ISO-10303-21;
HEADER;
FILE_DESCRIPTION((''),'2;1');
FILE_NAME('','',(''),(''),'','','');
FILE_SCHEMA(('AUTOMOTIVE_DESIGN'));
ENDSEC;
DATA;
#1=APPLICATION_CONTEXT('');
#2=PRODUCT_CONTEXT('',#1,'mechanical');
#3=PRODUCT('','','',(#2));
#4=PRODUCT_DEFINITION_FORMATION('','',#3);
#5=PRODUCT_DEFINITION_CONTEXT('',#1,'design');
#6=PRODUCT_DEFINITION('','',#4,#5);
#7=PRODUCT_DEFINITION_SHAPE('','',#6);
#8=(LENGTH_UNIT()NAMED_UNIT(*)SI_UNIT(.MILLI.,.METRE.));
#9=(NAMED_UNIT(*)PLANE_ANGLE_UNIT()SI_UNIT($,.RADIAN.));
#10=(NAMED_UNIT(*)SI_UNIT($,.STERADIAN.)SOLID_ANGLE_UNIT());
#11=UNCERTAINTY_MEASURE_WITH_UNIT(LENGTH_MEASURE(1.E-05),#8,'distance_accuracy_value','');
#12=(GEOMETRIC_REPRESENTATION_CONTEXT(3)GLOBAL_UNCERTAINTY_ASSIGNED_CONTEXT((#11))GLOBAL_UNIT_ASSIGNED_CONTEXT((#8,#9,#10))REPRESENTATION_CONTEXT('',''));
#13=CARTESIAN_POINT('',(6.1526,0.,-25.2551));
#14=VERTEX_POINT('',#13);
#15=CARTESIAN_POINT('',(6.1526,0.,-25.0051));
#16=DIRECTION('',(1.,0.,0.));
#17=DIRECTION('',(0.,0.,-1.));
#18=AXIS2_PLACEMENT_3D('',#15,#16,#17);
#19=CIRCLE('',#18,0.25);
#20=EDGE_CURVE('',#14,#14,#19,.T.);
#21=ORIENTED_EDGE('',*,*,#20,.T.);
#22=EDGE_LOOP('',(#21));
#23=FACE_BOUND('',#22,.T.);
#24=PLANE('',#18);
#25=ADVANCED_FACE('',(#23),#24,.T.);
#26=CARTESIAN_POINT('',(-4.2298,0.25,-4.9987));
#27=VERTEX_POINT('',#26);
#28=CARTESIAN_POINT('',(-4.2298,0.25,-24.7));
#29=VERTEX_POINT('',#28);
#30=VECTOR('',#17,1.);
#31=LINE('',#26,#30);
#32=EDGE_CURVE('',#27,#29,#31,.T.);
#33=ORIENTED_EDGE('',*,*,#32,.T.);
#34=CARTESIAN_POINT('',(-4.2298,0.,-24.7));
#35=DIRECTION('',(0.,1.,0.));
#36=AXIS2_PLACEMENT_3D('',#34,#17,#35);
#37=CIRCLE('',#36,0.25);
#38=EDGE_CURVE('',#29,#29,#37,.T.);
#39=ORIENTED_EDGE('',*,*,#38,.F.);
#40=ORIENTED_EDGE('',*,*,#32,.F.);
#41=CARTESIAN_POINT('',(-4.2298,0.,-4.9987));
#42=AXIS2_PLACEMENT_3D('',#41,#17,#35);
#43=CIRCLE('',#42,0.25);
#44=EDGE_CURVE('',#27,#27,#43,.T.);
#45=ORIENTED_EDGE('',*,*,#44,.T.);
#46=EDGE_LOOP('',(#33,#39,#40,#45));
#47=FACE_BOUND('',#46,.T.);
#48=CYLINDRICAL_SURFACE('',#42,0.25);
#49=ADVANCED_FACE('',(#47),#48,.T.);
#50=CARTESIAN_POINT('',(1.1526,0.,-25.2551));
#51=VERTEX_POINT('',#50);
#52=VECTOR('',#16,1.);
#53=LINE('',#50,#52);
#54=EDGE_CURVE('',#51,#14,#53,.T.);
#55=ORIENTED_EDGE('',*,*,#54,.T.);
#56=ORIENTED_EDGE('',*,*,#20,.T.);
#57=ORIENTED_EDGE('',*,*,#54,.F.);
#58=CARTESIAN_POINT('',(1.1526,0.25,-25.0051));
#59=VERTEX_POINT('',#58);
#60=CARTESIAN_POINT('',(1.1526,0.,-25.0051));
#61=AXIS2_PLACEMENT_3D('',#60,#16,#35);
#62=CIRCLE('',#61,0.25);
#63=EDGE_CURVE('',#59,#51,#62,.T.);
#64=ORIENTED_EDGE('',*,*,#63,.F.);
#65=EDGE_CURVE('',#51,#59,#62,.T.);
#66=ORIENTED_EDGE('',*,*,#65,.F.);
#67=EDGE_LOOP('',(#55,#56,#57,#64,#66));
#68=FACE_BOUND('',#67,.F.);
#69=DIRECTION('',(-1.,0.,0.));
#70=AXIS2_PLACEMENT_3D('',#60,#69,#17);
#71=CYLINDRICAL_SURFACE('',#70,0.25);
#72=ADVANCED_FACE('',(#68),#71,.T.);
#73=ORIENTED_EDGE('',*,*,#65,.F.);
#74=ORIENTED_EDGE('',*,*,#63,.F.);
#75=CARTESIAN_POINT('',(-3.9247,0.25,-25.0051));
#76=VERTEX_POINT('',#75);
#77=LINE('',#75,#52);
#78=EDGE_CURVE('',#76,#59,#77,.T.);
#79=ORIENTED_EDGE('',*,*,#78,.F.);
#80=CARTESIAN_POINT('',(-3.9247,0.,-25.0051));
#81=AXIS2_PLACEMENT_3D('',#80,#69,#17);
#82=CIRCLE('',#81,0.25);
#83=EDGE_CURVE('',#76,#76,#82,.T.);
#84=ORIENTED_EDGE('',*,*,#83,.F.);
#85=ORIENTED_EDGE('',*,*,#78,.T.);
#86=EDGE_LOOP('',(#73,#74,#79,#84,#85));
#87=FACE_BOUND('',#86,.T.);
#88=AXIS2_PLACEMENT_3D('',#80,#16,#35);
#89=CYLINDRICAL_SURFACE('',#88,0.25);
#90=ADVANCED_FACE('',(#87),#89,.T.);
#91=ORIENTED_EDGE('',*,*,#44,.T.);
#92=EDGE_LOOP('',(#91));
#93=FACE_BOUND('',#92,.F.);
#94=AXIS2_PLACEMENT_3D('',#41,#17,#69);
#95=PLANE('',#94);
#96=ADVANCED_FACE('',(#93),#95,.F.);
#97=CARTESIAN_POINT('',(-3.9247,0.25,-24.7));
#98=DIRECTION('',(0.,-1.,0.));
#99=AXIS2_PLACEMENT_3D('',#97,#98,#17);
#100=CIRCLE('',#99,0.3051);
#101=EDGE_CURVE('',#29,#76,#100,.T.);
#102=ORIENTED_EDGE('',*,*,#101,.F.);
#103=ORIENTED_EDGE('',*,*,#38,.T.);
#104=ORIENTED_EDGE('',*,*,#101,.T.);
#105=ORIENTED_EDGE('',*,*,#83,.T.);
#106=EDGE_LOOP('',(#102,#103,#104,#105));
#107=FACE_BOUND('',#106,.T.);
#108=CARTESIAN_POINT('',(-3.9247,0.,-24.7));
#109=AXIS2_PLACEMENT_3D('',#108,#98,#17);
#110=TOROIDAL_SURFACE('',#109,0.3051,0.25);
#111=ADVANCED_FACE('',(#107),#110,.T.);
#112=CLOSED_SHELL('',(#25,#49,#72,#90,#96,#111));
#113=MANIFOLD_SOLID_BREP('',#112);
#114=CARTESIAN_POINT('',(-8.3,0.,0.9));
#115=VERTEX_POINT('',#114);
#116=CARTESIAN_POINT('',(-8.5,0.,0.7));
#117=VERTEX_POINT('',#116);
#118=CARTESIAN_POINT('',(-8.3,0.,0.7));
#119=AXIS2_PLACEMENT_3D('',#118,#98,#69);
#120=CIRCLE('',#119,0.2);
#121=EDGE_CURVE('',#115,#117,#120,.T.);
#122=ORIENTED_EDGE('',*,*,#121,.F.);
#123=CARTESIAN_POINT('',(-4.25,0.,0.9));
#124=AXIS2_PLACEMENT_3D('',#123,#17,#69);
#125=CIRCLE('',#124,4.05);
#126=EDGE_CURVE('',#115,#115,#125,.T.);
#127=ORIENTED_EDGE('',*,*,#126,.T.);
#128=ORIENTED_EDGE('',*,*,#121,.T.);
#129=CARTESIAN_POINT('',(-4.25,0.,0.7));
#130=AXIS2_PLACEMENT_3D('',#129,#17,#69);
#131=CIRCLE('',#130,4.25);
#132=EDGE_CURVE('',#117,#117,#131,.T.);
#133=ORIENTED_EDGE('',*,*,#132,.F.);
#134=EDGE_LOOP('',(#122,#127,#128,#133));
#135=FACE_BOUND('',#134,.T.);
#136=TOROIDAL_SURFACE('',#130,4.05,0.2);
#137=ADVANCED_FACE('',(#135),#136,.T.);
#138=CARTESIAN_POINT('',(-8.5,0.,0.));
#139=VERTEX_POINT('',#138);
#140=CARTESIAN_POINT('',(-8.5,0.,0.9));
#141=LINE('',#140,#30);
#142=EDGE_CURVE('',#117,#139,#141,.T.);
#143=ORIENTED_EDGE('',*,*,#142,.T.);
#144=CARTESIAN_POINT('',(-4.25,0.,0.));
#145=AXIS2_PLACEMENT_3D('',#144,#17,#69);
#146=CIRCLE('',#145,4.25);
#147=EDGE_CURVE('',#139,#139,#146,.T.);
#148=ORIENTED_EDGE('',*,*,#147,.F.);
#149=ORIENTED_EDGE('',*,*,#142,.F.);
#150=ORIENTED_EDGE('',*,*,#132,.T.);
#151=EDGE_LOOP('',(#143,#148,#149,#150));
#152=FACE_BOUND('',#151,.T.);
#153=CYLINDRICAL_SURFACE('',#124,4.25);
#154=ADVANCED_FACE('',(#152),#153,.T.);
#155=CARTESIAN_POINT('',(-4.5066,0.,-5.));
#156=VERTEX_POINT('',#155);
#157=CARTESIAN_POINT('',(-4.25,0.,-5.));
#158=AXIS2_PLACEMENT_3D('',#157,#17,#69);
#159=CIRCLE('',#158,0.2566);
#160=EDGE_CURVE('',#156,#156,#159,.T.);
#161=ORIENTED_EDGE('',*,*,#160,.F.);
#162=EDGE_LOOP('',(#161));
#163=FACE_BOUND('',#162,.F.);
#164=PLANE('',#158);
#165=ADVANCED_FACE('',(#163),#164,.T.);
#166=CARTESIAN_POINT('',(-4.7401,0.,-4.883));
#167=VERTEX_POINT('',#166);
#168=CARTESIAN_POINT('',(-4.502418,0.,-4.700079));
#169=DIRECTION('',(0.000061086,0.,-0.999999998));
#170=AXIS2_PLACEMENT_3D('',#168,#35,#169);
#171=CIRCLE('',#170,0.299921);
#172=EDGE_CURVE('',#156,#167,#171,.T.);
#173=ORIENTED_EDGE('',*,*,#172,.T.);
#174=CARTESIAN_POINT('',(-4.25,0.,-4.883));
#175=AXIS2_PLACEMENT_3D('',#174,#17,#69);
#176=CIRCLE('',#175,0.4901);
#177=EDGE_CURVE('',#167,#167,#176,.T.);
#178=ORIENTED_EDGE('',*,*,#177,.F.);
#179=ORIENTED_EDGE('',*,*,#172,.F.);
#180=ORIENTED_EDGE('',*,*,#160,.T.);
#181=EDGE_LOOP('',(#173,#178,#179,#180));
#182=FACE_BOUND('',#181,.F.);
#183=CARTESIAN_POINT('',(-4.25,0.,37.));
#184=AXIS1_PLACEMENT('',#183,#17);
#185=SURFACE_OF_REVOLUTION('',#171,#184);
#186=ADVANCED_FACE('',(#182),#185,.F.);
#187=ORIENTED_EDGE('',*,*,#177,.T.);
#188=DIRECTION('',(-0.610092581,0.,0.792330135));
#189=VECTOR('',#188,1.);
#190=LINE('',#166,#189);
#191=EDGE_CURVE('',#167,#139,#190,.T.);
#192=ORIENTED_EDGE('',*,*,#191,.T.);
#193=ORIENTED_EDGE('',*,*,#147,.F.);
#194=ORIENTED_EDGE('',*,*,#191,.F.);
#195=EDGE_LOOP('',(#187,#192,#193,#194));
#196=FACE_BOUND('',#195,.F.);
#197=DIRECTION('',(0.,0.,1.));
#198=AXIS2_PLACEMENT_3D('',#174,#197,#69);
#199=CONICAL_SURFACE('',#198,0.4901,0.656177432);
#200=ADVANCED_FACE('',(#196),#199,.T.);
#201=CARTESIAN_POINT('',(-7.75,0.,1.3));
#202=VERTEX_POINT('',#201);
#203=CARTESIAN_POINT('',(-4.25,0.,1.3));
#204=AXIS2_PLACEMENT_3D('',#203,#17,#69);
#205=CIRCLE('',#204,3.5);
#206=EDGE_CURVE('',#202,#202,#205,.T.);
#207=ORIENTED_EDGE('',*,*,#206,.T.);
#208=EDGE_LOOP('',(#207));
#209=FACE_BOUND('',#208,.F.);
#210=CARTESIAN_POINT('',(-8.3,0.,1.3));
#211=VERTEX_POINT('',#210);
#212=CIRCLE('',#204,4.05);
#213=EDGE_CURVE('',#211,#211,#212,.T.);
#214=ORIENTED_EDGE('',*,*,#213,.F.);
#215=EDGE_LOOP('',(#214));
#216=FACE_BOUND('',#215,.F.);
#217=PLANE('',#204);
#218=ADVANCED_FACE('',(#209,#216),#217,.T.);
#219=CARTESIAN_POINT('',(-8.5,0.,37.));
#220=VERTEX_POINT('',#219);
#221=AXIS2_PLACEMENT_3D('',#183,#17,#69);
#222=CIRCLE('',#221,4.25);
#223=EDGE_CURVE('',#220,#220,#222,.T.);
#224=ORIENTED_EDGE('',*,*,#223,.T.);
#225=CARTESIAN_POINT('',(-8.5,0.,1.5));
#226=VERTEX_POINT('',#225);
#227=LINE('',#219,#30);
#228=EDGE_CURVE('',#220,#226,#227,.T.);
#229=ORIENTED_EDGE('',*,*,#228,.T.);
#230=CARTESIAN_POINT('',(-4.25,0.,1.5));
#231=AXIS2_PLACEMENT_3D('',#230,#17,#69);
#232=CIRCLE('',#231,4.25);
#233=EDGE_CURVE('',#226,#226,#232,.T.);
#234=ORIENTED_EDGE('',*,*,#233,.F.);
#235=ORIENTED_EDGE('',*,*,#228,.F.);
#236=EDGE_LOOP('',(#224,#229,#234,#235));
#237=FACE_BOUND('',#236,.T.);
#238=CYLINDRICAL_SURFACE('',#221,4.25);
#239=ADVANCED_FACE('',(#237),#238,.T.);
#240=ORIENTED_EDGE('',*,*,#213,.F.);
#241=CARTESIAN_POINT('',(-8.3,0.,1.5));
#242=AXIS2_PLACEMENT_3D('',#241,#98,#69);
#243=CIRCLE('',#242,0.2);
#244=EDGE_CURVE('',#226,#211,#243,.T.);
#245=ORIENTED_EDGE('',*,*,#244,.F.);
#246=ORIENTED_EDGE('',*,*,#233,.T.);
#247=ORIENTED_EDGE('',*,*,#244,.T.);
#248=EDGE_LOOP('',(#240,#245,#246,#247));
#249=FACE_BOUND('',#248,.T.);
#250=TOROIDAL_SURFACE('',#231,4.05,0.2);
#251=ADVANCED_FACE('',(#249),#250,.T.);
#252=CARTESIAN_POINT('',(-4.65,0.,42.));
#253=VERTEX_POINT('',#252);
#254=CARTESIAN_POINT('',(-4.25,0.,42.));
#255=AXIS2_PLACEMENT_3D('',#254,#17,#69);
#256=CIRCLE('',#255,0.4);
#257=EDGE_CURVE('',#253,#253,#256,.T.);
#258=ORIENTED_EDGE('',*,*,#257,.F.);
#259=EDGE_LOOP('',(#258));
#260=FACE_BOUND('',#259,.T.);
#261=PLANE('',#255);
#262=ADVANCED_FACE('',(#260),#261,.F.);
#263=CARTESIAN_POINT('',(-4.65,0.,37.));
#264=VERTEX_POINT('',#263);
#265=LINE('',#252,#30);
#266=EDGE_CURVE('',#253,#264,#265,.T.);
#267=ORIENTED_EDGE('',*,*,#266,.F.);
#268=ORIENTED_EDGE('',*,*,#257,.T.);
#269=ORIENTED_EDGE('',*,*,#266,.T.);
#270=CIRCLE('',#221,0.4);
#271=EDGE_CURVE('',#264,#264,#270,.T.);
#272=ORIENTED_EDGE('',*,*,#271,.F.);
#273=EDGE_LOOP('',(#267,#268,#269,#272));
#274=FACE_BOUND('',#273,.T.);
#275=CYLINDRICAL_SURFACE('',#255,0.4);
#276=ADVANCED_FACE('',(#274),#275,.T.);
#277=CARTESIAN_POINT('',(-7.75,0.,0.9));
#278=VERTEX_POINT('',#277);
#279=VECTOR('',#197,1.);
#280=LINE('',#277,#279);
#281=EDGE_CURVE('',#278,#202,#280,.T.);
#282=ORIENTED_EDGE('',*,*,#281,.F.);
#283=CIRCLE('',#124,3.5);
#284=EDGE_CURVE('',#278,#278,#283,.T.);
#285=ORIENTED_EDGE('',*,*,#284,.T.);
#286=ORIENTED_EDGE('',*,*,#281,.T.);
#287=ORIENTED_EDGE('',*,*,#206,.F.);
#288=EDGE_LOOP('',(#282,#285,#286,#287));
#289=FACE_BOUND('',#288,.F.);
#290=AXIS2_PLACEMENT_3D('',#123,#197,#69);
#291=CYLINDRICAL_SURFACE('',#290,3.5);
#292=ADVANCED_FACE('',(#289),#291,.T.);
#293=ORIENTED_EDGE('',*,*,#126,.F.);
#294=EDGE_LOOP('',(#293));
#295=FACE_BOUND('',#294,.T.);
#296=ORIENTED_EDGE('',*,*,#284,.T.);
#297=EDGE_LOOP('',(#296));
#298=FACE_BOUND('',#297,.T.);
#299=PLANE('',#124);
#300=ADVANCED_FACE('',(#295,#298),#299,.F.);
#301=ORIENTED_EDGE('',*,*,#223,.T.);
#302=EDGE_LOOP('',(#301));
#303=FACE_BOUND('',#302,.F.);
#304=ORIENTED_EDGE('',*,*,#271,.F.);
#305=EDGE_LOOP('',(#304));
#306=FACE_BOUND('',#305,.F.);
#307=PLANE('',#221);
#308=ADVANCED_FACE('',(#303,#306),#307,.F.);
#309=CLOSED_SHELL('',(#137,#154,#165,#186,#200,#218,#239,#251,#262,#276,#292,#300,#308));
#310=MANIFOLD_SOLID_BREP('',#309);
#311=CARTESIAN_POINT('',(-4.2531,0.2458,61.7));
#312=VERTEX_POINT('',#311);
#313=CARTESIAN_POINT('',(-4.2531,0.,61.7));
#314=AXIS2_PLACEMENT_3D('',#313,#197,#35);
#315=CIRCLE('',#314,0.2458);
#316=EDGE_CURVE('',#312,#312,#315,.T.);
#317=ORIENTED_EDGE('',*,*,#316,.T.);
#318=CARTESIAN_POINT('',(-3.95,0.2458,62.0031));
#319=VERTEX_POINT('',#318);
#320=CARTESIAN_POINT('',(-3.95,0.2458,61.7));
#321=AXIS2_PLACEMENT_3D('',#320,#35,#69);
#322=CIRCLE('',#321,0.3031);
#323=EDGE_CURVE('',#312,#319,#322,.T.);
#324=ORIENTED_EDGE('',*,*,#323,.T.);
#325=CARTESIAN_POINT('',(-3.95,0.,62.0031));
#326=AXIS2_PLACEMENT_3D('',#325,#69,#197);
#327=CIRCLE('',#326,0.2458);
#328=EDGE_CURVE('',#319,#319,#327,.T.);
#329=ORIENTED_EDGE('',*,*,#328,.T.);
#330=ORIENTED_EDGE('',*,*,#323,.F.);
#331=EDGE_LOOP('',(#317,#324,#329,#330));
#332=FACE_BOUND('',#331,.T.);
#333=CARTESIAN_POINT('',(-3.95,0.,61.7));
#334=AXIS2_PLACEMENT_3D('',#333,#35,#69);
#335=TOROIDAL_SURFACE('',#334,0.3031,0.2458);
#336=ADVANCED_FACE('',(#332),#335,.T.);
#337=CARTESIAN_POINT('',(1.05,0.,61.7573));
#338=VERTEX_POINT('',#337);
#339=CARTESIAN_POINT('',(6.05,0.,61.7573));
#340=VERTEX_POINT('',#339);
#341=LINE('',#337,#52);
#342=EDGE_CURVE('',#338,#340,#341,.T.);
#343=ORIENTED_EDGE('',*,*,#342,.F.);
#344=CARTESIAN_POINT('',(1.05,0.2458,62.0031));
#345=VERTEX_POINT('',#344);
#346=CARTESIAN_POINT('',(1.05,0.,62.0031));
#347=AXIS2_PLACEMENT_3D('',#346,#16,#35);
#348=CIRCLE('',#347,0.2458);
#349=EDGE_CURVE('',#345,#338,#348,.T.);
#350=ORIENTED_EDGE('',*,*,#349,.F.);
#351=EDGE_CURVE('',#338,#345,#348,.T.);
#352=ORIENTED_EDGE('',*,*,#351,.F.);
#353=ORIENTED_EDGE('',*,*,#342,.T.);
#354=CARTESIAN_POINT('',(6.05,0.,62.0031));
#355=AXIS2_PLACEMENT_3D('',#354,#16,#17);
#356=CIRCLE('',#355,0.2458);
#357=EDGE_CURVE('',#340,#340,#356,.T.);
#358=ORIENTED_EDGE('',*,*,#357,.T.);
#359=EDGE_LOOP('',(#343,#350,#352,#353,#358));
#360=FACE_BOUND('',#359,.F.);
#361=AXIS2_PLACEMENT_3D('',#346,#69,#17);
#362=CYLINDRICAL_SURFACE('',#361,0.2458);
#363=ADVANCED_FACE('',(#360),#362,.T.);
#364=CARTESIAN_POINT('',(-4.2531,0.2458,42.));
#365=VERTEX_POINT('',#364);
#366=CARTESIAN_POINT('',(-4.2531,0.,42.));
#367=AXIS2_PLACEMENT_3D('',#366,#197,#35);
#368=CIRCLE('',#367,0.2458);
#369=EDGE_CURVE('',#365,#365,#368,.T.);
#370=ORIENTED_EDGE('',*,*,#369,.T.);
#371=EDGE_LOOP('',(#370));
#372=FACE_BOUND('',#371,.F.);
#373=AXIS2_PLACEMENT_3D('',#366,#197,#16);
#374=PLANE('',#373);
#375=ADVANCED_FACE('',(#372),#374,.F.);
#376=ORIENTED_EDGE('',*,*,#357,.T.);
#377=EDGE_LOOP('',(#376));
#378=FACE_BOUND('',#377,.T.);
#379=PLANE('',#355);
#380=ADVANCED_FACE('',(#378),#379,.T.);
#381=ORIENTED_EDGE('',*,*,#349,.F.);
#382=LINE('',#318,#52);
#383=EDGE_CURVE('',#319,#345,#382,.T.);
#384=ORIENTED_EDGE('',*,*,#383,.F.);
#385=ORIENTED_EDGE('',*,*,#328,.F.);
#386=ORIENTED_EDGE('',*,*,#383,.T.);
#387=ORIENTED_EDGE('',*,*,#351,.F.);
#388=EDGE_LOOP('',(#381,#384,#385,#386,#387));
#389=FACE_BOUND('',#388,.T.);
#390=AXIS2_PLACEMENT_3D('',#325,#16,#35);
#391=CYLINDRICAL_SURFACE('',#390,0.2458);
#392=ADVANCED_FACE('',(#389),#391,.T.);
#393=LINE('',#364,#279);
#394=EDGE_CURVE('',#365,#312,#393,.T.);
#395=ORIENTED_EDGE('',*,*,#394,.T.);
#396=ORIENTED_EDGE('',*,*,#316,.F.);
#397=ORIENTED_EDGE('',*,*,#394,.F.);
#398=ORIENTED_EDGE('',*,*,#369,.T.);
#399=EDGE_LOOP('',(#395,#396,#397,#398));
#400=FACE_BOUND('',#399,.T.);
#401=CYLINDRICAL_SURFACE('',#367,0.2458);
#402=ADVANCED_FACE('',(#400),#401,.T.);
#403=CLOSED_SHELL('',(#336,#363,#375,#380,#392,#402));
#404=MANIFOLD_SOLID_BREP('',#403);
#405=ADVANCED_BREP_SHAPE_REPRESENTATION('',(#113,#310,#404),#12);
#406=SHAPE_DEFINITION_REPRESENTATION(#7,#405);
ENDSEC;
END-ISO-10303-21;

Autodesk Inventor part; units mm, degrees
ref_plane "YZ Plane" through (0, 0, 0) normal (1, 0, 0) x (0, 1, 0)
ref_plane "XZ Plane" through (0, 0, 0) normal (0, 1, 0) x (-1, 0, 0)
ref_plane "XY Plane" through (0, 0, 0) normal (0, 0, 1) x (1, 0, 0)
sketch "Sketch1" plane through (0, 0, 0) normal (0, 1, 0) x (-1, 0, 0)
  line L0 (4.5, 42) -> (4, 42)
  line L1 (-5.9955, 62) -> (-5.9955, 61.75)
  line L2 (-5.9955, 62) -> (-5.9955, 62.25)
  line L3 (4.25, 42) -> (4.25, 61.7)
  arc A0 (4.25, 61.7) -> (3.95, 62) centre (3.95, 61.7) ccw
  line L4 (3.95, 62) -> (-1.05, 62)
  point P0 (0, 0)
sketch "Sketch3" plane through (0, 0, 0) normal (1, 0, 0) x (0, 1, 0)
  circle A0 centre (0, -25.0051) radius 0.25
  point P0 (0, 0)
sketch "Sketch5" plane through (0, 0, 0) normal (0, 1, 0) x (-1, 0, 0)
  line L0 (8.5, 37) -> (0, 37)
  line L1 (4.0039, 37) -> (3.3039, 37)
  line L2 (0, 37) -> (4.25, 37)
  line L3 (4.25, 42) -> (3.85, 42)
  line L4 (4.25, 42) -> (4.65, 42)
  line L5 (4.65, 42) -> (4.65, 37)
  line L6 (3.85, 42) -> (3.85, 37)
  line L7 (4.25, 42) -> (4, 42)
  line L8 (4.25, 42) -> (4.5, 42)
  line L9 (4.5, 42) -> (4.5, 61.7)
  line L10 (4.2, 62) -> (4.0045, 62)
  line L11 (4.5024, -5) -> (3.9976, -5)
  line L12 (4.7401, -4.883) -> (8.5, 0)
  line L13 (3.7599, -4.883) -> (0, 0)
  line L14 (4.25, -5) -> (4, -5)
  line L15 (4.25, -5) -> (4.5066, -5)
  line L16 (4.25, -5) -> (4.5066, -5)
  line L17 (4.5066, -5) -> (4.5066, -24.7)
  line L18 (4.2066, -25) -> (4.0066, -25)
  line L19 (4.25, 0.9) -> (7.75, 0.9)
  line L20 (4.25, 0.9) -> (0.75, 0.9)
  line L21 (7.75, 0.9) -> (7.75, 1.3)
  line L22 (7.75, 1.3) -> (0.75, 1.3)
  line L23 (0.75, 1.3) -> (0.75, 0.9)
  line L24 (0.75, 0.9) -> (0, 0.9)
  line L25 (7.75, 0.9) -> (8.5, 0.9)
  line L26 (7.75, 1.3) -> (8.5, 1.3)
  line L27 (0.75, 1.3) -> (0, 1.3)
  line L28 (8.5, 37) -> (8.5, 1.3)
  line L29 (0, 37) -> (0, 1.3)
  line L30 (8.5, 0.9) -> (8.5, 0)
  line L31 (0, 0.9) -> (0, 0)
  arc A0 (4.5024, -5) -> (4.7401, -4.883) centre (4.5024, -4.7) ccw
  arc A1 (3.7599, -4.883) -> (3.9976, -5) centre (3.9976, -4.7) ccw
  line L32 (3.6976, -24.5) -> (-5.9934, -24.5)
  line L33 (4.0066, -25) -> (-5.9934, -25)
  line L34 (-5.9934, -25) -> (-5.9934, -24.5)
  line L35 (3.9976, -24.2) -> (3.9976, -5)
  line L36 (3.7, 61.5) -> (-5.9955, 61.5)
  line L37 (-5.9955, 61.5) -> (-5.9955, 62)
  line L38 (-5.9955, 62) -> (4.0045, 62)
  line L39 (4, 61.2) -> (4, 42)
  line L40 (4.25, 37) -> (4.25, 1.3)
  line L41 (4.25, 1.3) -> (4.25, -5)
  line L42 (4.25, 37) -> (4.25, 42)
  line L43 (4.25, 42) -> (4.25, 61.5)
  arc A2 (4.25, 61.5) -> (3.9684, 61.75) centre (3.892, 61.3803) ccw
  line L44 (3.9684, 61.75) -> (-5.9955, 61.75)
  arc A3 (4.5, 61.7) -> (4.2, 62) centre (4.2, 61.7) ccw
  arc A4 (4, 61.2) -> (3.7, 61.5) centre (3.7, 61.2) ccw
  line L45 (4.25, -5) -> (4.25, -24.5071)
  arc A5 (3.9999, -24.75) -> (4.25, -24.5071) centre (4.007, -24.5071) ccw
  line L46 (3.9999, -24.75) -> (-5.9934, -24.75)
  arc A6 (3.6976, -24.5) -> (3.9976, -24.2) centre (3.6976, -24.2) ccw
  arc A7 (4.2066, -25) -> (4.5066, -24.7) centre (4.2066, -24.7) ccw
sketch "Sketch6" plane through (0, 0, 0) normal (0, 1, 0) x (-1, 0, 0)
  line L0 (4.2294, -4.9987) -> (4.2294, -24.7)
  line L1 (3.9247, -25.0047) -> (-1.1526, -25.0047)
  arc A0 (3.9247, -25.0047) -> (4.2294, -24.7) centre (3.9247, -24.7) ccw
sketch "Sketch7" plane through (0, 0, 0) normal (1, 0, 0) x (0, 1, 0)
  circle A0 centre (0, 62.0031) radius 0.2458
  point P0 (0, 0)
  point P1 (0, 0)
revolve "Revolution1" add sketch "Sketch5" angle 360 about axis through (-4.25, 0, 37) along (0, 0, -1) contours L28 L26 L22 L40 L0 | L0 L42 L4 L5 | L21 L19 L41 L22 | L25 L30 L12 A0 L15 L11 L41 L19
sweep "Sweep4" add profiles "Sketch7" path "Sketch1" separate body path curves L4 A0 L3
fillet "Fillet1" radius 0.2 2 edges at (0, 0, 0.9) (0, 0, 1.3)
sketch "Sketch8" plane through (1.05, 0, 62.0031) normal (1, 0, 0) x (0, 0, -1)
  circle A0 centre (0, 0) radius 0.2458 projected
  circle A1 centre (0, 0) radius 0.2458
  point P0 (62.0031, 0)
extrude "Extrusion1" add sketch "Sketch8" along normal blind 5 bodies 2
sweep "Sweep5" add profiles "Sketch3" path "Sketch6" separate body
sketch "Sketch10" plane through (1.1526, 0, -25.0051) normal (1, 0, 0) x (0, 0, -1)
  circle A0 centre (0, 0) radius 0.25
  point P0 (-25.0051, 0)
extrude "Extrusion3" add sketch "Sketch10" along normal blind 5 bodies 3
properties part number "K50 – 29" material "Copper"
